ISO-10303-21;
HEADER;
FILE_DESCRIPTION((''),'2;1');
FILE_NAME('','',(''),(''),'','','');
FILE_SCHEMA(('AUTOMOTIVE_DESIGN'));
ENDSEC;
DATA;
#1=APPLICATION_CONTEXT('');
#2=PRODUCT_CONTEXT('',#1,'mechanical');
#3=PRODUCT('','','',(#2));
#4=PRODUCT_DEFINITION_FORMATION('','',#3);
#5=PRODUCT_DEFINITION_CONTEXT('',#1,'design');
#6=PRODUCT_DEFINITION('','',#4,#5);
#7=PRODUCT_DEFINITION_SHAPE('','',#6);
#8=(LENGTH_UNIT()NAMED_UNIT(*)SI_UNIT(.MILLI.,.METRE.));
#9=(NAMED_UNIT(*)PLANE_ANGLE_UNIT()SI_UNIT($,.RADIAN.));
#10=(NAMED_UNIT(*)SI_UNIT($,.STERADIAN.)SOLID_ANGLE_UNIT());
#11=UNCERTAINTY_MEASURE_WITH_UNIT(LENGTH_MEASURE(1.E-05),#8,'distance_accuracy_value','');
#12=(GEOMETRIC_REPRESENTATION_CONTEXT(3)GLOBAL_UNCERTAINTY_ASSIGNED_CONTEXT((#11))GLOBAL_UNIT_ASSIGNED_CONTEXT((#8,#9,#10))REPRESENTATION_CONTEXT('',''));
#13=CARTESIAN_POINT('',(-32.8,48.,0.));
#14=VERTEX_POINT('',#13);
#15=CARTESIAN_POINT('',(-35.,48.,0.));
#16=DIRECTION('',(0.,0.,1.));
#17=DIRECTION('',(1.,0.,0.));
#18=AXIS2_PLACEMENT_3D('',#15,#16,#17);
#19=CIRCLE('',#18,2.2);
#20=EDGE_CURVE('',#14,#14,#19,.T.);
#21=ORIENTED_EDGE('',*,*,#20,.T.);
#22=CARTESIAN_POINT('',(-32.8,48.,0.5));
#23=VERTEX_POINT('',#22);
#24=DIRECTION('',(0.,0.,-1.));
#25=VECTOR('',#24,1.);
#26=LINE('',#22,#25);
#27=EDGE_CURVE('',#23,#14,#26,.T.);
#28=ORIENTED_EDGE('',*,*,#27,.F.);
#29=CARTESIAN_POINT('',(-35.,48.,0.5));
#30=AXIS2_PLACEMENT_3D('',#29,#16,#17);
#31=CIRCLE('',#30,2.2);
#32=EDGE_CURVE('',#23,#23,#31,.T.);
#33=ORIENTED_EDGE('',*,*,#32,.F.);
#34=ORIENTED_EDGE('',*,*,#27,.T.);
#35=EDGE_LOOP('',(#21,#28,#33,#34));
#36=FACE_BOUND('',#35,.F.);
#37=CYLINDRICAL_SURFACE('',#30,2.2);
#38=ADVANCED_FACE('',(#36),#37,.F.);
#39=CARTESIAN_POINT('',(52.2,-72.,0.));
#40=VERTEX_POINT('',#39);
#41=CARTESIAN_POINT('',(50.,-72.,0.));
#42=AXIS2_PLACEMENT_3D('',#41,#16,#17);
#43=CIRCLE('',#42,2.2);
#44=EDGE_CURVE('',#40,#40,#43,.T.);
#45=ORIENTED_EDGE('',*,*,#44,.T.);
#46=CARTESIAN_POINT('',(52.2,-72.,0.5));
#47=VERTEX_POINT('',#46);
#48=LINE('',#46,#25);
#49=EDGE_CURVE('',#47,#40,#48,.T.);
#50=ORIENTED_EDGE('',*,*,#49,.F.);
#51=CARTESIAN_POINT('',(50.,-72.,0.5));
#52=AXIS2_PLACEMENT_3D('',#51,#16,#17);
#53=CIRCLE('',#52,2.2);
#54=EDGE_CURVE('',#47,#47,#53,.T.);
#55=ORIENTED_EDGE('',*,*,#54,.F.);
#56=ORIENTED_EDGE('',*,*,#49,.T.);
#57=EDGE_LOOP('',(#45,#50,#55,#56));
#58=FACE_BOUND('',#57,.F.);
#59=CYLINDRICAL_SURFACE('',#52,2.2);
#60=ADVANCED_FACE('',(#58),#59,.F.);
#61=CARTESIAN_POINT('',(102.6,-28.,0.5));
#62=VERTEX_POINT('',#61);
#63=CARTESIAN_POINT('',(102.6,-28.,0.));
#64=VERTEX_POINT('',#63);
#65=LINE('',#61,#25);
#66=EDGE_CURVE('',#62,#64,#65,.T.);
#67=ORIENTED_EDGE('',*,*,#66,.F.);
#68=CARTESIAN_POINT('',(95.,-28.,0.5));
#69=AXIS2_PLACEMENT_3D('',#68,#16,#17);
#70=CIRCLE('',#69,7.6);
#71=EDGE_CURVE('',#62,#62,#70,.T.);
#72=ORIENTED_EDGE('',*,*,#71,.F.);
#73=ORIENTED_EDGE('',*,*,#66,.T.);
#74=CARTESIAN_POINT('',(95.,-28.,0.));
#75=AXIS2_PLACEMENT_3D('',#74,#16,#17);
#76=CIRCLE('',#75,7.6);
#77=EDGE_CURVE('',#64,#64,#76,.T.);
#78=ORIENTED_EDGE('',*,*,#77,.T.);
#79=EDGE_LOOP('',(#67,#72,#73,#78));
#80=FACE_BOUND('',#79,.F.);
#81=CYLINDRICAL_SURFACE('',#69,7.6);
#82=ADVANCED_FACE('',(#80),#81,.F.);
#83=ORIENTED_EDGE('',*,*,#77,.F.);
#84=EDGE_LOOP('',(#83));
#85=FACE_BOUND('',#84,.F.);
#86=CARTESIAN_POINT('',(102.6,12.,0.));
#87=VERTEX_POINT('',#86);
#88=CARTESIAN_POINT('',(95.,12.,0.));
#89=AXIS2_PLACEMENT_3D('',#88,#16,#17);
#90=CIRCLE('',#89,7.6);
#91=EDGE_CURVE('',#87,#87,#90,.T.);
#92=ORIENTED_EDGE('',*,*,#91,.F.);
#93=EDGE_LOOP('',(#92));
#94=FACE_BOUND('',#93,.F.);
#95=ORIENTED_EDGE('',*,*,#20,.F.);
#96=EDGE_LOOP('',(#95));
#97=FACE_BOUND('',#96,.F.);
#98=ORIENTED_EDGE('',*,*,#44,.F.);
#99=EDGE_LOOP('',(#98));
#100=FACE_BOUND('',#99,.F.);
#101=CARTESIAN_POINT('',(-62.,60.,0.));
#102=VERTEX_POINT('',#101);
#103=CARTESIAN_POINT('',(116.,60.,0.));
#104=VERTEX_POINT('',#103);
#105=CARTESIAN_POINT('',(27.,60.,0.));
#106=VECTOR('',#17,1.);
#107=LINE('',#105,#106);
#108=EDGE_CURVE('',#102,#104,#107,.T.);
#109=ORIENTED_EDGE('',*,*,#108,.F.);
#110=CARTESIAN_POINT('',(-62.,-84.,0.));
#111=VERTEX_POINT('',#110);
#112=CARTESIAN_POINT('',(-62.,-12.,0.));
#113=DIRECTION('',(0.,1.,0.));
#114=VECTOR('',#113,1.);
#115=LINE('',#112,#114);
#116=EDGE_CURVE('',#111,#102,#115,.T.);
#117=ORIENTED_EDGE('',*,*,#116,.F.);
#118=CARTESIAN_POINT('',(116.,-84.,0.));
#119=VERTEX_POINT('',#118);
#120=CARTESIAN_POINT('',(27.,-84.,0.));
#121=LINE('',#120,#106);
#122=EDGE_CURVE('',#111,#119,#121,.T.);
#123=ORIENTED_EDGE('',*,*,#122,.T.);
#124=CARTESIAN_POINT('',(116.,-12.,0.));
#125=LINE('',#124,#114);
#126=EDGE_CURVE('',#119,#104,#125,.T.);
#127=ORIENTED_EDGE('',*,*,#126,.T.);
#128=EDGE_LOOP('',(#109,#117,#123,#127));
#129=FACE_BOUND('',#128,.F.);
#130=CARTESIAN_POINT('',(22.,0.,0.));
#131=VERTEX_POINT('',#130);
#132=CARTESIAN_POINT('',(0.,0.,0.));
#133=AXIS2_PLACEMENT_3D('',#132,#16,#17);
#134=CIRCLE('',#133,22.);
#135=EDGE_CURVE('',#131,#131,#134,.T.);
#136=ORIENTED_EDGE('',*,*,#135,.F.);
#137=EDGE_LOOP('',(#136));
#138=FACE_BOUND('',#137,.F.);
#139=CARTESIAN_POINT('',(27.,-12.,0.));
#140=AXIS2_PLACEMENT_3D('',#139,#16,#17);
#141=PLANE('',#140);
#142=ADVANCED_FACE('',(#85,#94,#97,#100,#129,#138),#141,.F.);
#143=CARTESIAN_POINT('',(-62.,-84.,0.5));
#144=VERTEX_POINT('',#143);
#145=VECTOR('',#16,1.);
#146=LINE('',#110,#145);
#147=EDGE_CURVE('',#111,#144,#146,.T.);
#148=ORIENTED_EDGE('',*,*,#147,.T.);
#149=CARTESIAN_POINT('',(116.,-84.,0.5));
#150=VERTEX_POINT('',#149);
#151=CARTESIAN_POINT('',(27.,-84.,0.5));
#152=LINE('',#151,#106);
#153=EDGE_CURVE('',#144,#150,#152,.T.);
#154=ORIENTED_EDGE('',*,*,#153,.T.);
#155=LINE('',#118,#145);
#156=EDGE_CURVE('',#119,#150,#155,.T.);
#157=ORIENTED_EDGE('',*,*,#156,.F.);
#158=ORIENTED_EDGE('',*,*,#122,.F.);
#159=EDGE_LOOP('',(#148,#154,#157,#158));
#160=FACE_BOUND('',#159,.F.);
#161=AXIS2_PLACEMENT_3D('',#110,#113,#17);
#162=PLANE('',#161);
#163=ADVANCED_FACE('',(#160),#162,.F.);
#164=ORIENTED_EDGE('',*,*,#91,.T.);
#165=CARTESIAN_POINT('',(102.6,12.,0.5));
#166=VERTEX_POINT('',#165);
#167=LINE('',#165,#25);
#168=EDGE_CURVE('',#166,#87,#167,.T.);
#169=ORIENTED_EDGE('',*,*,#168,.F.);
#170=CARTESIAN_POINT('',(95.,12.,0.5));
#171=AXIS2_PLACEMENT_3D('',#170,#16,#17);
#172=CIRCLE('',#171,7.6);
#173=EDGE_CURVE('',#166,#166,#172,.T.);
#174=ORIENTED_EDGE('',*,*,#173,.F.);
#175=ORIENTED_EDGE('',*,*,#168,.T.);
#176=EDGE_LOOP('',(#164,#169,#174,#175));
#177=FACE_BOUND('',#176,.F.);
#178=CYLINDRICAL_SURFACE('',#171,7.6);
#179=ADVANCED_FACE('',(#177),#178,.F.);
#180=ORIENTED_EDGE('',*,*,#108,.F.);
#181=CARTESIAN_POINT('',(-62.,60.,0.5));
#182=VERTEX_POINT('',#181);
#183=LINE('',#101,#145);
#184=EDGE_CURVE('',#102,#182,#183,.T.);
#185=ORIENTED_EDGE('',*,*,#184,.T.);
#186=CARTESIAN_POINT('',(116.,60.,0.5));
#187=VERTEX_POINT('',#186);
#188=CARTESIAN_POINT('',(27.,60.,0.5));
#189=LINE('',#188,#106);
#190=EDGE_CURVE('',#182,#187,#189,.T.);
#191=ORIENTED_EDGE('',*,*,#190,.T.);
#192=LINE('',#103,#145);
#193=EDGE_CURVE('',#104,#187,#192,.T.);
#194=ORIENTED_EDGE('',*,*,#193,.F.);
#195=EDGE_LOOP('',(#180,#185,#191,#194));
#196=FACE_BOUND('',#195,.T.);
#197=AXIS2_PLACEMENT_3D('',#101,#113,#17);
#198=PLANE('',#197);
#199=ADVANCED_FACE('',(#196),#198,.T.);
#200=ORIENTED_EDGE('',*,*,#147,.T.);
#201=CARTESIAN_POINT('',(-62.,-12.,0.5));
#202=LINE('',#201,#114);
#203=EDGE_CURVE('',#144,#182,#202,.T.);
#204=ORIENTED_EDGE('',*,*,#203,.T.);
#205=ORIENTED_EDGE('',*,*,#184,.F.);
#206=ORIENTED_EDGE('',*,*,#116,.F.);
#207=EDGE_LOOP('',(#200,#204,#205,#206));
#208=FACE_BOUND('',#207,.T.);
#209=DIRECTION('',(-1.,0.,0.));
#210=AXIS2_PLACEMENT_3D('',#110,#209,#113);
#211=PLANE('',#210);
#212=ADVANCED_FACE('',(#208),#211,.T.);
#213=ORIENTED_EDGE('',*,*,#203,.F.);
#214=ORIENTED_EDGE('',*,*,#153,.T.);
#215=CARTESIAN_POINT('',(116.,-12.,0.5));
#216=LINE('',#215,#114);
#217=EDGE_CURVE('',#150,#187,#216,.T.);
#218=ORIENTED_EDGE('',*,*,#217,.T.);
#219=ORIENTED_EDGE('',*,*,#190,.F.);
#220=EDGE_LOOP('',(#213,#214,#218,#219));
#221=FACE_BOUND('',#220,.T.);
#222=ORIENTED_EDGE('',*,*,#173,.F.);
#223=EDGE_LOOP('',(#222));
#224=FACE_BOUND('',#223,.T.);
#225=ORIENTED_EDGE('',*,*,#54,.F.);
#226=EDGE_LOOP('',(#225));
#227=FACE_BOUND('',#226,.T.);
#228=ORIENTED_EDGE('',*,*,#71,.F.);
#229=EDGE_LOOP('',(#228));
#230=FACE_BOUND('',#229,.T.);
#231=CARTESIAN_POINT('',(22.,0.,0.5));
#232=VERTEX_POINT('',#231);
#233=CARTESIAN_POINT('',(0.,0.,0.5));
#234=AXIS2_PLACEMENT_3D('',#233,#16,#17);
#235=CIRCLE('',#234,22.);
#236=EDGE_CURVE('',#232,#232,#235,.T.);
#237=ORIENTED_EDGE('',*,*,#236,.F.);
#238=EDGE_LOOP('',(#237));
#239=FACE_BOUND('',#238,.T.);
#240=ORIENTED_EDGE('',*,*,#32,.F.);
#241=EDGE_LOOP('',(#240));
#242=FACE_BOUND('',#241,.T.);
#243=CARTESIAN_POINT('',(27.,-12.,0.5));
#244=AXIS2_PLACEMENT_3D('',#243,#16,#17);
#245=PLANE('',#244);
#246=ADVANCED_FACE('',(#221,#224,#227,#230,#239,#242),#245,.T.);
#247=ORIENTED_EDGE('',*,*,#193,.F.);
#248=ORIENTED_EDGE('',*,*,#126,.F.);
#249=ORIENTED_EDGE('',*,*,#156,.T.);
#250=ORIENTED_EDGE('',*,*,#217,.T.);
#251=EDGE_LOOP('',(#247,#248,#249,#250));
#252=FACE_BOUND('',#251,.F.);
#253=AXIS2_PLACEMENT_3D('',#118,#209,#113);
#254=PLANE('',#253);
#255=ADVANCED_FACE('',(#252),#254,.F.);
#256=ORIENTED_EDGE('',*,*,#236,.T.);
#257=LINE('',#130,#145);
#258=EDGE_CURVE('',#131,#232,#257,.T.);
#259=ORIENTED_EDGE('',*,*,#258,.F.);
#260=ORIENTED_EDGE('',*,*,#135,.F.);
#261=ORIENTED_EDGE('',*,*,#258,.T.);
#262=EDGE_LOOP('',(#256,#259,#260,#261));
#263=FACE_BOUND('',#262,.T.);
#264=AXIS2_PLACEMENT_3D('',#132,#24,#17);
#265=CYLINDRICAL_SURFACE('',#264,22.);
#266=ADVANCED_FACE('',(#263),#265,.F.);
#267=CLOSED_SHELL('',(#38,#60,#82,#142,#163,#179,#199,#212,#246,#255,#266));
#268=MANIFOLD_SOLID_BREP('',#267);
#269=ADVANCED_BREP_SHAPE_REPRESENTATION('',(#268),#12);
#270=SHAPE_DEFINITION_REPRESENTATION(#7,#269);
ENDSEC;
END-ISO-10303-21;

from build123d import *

# Parameters (mm, degrees)
SKETCH_W        = 178
SKETCH_H        = 144
SKETCH_R        = 22
PAD_DEPTH       = 0.5
SKETCH001_R     = 2.2
POCKET_DEPTH    = 0.501
SKETCH002_R     = 7.6
POCKET001_DEPTH = 0.501


with BuildPart() as part:
    # Sketch → Pad (new body)
    with BuildSketch(Plane.XY):
        with Locations((27, -12)):
            Rectangle(SKETCH_W, SKETCH_H)
        Circle(SKETCH_R, mode=Mode.SUBTRACT)
    extrude(amount=PAD_DEPTH)

    # Sketch001 (on Face7 of Pad) → Pocket (cut, through all)
    with BuildSketch(Plane.XY.offset(0.5)):
        with Locations((-35, 48)):
            Circle(SKETCH001_R)
        with Locations((50, -72)):
            Circle(SKETCH001_R)
    extrude(amount=-POCKET_DEPTH, mode=Mode.SUBTRACT)

    # Sketch002 (on Face5 of Pocket) → Pocket001 (cut, through all)
    with BuildSketch(Plane.XY.offset(0.5)):
        with Locations((95, 12)):
            Circle(SKETCH002_R)
        with Locations((95, -28)):
            Circle(SKETCH002_R)
    extrude(amount=-POCKET001_DEPTH, mode=Mode.SUBTRACT)


solid = part.part
